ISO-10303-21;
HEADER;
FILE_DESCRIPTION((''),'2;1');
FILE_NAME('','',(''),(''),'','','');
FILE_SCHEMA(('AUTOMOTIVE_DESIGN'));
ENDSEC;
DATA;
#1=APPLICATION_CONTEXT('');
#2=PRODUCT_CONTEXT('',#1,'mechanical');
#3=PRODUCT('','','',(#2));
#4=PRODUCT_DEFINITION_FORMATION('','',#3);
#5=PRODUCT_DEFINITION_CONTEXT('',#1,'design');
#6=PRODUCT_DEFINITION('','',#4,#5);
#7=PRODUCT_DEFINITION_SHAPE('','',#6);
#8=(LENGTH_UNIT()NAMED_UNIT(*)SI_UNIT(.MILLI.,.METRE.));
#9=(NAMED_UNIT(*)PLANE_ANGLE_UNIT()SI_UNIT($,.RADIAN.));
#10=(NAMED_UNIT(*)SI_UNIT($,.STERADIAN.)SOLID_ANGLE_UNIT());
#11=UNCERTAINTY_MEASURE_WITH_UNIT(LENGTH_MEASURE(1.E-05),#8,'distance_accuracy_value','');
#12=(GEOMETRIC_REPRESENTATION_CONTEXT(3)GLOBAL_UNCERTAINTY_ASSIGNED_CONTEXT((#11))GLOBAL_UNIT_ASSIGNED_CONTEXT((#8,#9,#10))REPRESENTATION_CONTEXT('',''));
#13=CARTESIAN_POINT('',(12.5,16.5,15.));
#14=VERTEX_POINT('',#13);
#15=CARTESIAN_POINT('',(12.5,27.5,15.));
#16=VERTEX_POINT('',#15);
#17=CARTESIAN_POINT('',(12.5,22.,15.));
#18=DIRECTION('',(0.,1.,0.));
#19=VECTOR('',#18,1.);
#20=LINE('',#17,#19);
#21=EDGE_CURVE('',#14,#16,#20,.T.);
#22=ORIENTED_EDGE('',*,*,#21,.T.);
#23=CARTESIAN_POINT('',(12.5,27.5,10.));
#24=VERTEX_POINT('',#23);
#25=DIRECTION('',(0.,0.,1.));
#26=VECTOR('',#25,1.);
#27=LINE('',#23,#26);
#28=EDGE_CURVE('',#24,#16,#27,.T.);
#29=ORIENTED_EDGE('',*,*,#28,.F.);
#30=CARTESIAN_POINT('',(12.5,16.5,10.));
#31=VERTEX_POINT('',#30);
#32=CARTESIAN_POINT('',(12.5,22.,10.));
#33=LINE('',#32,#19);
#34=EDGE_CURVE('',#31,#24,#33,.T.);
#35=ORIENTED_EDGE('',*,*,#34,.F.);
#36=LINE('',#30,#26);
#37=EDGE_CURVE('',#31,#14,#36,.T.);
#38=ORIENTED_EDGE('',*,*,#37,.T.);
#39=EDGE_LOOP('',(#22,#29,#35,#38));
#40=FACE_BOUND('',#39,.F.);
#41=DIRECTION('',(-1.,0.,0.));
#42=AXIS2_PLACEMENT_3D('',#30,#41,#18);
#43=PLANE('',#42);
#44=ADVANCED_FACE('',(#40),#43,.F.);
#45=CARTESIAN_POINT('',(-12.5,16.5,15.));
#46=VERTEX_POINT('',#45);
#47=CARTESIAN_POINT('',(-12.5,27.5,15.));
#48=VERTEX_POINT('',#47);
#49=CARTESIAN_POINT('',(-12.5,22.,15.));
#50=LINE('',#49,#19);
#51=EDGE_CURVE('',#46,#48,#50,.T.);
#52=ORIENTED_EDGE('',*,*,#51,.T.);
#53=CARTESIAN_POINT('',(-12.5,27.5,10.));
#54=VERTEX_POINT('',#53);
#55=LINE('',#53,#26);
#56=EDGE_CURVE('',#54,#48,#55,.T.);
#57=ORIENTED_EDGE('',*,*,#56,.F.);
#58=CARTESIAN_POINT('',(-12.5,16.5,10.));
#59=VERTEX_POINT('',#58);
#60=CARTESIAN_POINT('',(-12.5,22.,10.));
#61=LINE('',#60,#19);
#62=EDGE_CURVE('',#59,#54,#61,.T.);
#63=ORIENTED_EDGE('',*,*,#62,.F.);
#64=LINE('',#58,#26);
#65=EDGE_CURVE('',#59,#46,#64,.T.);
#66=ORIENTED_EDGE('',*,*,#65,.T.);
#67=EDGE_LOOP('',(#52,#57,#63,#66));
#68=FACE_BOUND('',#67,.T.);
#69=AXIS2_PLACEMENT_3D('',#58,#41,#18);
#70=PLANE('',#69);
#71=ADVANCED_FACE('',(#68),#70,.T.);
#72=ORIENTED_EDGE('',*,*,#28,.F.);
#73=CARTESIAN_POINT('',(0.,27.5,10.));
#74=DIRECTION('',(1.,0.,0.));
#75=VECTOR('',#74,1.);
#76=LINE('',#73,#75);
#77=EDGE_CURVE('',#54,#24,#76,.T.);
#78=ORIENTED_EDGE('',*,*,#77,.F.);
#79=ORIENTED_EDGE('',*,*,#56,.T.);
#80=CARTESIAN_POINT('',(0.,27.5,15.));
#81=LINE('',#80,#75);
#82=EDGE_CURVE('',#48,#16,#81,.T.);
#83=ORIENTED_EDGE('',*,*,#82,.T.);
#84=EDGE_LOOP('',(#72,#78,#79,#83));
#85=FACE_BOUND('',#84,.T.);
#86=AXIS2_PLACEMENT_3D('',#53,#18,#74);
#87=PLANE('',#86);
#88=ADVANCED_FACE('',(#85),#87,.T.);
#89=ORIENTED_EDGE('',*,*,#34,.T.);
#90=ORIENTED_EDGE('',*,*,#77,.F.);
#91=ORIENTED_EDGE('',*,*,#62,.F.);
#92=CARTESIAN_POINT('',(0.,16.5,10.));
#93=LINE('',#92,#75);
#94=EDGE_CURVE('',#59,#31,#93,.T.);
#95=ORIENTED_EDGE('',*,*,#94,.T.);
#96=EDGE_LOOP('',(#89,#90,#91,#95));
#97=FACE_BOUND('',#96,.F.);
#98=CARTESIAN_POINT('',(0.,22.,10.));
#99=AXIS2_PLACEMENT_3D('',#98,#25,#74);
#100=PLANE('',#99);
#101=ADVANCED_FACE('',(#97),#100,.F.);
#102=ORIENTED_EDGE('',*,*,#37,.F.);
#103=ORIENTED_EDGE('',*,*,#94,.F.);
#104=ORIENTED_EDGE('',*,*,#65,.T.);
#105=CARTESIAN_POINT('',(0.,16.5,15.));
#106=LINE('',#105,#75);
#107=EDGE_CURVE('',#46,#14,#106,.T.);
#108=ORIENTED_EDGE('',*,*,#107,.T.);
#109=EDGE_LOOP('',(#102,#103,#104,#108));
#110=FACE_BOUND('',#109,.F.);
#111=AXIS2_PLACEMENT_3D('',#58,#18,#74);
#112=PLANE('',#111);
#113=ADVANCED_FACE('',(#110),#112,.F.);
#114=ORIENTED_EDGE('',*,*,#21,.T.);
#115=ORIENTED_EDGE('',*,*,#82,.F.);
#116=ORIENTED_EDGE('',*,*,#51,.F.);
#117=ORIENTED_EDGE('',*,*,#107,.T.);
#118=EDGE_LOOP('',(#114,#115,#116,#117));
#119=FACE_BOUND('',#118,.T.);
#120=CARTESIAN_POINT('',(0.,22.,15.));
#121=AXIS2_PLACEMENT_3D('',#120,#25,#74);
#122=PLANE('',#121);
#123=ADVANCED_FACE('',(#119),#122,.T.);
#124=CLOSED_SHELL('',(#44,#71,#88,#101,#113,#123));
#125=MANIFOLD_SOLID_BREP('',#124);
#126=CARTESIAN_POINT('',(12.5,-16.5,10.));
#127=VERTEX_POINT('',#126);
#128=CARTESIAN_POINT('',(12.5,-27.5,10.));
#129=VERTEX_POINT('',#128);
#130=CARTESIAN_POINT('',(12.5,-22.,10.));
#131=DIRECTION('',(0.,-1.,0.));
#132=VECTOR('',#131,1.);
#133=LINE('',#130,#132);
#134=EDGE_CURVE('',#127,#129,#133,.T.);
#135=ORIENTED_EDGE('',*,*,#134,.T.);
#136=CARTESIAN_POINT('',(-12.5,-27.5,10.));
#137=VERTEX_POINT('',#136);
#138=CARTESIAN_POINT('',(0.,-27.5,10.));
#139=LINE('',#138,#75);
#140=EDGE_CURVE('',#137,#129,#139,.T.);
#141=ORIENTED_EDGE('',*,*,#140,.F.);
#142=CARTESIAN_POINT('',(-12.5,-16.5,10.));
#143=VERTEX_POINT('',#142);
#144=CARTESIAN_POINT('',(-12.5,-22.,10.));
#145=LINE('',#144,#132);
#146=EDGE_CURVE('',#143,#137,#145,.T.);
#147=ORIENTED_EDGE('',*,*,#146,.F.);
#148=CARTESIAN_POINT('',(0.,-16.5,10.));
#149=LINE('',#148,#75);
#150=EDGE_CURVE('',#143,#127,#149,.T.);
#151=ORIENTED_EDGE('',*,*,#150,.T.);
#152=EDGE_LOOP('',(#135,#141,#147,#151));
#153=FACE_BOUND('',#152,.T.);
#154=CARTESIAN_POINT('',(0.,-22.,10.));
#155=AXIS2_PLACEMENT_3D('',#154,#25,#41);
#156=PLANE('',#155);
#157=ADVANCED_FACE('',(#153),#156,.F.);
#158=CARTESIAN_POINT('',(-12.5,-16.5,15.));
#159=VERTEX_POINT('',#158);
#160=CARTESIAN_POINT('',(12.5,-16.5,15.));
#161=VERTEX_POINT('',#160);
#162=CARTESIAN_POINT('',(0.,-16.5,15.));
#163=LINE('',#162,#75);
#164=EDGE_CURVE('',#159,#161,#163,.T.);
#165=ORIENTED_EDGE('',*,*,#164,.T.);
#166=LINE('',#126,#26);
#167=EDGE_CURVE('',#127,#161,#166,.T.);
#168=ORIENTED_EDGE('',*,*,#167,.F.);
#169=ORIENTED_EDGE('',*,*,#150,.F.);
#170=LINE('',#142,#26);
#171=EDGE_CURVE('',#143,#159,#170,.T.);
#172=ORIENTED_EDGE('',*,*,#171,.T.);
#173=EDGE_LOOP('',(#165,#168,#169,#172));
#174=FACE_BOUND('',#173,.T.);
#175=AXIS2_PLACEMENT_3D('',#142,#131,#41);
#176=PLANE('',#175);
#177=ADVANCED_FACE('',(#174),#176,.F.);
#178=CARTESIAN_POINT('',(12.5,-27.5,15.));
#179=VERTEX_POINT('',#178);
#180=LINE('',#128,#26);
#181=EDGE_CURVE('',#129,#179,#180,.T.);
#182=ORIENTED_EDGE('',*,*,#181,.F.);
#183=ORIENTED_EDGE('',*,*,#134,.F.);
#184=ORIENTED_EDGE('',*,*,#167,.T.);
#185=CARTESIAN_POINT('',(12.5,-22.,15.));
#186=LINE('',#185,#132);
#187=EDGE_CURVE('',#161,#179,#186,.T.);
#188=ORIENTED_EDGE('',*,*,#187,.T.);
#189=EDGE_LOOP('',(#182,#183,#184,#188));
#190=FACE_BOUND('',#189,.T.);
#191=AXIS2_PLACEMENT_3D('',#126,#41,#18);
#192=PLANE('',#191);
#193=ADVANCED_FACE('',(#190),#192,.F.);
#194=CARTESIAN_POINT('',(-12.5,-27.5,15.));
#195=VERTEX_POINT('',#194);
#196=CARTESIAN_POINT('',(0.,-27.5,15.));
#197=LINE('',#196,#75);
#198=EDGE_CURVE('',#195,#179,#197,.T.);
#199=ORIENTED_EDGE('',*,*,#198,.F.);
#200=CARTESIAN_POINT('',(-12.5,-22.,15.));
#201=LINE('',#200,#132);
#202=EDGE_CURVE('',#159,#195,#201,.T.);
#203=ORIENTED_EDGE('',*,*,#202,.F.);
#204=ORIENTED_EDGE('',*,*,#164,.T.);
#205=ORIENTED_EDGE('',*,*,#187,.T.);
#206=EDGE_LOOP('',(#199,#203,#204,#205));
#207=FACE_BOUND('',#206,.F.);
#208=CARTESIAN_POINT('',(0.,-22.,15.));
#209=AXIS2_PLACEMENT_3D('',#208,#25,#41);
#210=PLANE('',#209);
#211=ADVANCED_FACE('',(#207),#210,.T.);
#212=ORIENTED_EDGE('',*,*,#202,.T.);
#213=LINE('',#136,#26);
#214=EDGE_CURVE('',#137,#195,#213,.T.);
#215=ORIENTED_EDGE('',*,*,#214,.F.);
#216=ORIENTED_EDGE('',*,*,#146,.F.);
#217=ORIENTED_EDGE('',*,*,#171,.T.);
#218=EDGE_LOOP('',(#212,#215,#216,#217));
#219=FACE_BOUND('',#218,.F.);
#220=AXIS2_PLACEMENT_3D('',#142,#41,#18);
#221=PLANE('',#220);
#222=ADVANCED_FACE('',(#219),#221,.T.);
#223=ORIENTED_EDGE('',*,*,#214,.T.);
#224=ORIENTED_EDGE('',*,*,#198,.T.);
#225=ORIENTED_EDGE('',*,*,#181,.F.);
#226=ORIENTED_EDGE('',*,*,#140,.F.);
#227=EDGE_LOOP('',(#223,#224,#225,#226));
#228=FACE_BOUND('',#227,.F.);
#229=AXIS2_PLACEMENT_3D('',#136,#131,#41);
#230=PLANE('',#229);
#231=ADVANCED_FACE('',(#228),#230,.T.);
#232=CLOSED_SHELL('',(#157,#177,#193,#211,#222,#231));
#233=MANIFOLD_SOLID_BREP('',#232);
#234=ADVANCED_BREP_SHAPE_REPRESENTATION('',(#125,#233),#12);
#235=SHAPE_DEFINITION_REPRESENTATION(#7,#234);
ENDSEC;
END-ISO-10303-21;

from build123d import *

# Parameters (mm, degrees)
BOX009005_W     = 25
BOX009005_H     = 11
BOX009005_DEPTH = 5
BOX009004_W     = 25
BOX009004_H     = 11
BOX009004_DEPTH = 5


with BuildPart() as long_magnet002:
    # Box009005 → Box009005 (new body)
    with BuildSketch(Plane(origin=(-12.5, 16.5, 10), x_dir=(1, 0, 0), z_dir=(0, 0, 1))):
        with Locations((12.5, 5.5)):
            Rectangle(BOX009005_W, BOX009005_H)
    extrude(amount=BOX009005_DEPTH)


with BuildPart() as part_mirroring:
    # Part__Mirroring: instance of Long Magnet002
    add(long_magnet002.part.mirror(Plane(origin=(0, 0, 0), x_dir=(1, 0, 0), z_dir=(0, 1, 0))))


with BuildPart() as stationary_keepers:
    # Box009004 → Box009004 (new body)
    with BuildSketch(Plane(origin=(-12.5, 16.5, 10), x_dir=(1, 0, 0), z_dir=(0, 0, 1))):
        with Locations((12.5, 5.5)):
            Rectangle(BOX009004_W, BOX009004_H)
    extrude(amount=BOX009004_DEPTH)

    # Fusion004: union Part__Mirroring
    add(part_mirroring.part)


solid = stationary_keepers.part
